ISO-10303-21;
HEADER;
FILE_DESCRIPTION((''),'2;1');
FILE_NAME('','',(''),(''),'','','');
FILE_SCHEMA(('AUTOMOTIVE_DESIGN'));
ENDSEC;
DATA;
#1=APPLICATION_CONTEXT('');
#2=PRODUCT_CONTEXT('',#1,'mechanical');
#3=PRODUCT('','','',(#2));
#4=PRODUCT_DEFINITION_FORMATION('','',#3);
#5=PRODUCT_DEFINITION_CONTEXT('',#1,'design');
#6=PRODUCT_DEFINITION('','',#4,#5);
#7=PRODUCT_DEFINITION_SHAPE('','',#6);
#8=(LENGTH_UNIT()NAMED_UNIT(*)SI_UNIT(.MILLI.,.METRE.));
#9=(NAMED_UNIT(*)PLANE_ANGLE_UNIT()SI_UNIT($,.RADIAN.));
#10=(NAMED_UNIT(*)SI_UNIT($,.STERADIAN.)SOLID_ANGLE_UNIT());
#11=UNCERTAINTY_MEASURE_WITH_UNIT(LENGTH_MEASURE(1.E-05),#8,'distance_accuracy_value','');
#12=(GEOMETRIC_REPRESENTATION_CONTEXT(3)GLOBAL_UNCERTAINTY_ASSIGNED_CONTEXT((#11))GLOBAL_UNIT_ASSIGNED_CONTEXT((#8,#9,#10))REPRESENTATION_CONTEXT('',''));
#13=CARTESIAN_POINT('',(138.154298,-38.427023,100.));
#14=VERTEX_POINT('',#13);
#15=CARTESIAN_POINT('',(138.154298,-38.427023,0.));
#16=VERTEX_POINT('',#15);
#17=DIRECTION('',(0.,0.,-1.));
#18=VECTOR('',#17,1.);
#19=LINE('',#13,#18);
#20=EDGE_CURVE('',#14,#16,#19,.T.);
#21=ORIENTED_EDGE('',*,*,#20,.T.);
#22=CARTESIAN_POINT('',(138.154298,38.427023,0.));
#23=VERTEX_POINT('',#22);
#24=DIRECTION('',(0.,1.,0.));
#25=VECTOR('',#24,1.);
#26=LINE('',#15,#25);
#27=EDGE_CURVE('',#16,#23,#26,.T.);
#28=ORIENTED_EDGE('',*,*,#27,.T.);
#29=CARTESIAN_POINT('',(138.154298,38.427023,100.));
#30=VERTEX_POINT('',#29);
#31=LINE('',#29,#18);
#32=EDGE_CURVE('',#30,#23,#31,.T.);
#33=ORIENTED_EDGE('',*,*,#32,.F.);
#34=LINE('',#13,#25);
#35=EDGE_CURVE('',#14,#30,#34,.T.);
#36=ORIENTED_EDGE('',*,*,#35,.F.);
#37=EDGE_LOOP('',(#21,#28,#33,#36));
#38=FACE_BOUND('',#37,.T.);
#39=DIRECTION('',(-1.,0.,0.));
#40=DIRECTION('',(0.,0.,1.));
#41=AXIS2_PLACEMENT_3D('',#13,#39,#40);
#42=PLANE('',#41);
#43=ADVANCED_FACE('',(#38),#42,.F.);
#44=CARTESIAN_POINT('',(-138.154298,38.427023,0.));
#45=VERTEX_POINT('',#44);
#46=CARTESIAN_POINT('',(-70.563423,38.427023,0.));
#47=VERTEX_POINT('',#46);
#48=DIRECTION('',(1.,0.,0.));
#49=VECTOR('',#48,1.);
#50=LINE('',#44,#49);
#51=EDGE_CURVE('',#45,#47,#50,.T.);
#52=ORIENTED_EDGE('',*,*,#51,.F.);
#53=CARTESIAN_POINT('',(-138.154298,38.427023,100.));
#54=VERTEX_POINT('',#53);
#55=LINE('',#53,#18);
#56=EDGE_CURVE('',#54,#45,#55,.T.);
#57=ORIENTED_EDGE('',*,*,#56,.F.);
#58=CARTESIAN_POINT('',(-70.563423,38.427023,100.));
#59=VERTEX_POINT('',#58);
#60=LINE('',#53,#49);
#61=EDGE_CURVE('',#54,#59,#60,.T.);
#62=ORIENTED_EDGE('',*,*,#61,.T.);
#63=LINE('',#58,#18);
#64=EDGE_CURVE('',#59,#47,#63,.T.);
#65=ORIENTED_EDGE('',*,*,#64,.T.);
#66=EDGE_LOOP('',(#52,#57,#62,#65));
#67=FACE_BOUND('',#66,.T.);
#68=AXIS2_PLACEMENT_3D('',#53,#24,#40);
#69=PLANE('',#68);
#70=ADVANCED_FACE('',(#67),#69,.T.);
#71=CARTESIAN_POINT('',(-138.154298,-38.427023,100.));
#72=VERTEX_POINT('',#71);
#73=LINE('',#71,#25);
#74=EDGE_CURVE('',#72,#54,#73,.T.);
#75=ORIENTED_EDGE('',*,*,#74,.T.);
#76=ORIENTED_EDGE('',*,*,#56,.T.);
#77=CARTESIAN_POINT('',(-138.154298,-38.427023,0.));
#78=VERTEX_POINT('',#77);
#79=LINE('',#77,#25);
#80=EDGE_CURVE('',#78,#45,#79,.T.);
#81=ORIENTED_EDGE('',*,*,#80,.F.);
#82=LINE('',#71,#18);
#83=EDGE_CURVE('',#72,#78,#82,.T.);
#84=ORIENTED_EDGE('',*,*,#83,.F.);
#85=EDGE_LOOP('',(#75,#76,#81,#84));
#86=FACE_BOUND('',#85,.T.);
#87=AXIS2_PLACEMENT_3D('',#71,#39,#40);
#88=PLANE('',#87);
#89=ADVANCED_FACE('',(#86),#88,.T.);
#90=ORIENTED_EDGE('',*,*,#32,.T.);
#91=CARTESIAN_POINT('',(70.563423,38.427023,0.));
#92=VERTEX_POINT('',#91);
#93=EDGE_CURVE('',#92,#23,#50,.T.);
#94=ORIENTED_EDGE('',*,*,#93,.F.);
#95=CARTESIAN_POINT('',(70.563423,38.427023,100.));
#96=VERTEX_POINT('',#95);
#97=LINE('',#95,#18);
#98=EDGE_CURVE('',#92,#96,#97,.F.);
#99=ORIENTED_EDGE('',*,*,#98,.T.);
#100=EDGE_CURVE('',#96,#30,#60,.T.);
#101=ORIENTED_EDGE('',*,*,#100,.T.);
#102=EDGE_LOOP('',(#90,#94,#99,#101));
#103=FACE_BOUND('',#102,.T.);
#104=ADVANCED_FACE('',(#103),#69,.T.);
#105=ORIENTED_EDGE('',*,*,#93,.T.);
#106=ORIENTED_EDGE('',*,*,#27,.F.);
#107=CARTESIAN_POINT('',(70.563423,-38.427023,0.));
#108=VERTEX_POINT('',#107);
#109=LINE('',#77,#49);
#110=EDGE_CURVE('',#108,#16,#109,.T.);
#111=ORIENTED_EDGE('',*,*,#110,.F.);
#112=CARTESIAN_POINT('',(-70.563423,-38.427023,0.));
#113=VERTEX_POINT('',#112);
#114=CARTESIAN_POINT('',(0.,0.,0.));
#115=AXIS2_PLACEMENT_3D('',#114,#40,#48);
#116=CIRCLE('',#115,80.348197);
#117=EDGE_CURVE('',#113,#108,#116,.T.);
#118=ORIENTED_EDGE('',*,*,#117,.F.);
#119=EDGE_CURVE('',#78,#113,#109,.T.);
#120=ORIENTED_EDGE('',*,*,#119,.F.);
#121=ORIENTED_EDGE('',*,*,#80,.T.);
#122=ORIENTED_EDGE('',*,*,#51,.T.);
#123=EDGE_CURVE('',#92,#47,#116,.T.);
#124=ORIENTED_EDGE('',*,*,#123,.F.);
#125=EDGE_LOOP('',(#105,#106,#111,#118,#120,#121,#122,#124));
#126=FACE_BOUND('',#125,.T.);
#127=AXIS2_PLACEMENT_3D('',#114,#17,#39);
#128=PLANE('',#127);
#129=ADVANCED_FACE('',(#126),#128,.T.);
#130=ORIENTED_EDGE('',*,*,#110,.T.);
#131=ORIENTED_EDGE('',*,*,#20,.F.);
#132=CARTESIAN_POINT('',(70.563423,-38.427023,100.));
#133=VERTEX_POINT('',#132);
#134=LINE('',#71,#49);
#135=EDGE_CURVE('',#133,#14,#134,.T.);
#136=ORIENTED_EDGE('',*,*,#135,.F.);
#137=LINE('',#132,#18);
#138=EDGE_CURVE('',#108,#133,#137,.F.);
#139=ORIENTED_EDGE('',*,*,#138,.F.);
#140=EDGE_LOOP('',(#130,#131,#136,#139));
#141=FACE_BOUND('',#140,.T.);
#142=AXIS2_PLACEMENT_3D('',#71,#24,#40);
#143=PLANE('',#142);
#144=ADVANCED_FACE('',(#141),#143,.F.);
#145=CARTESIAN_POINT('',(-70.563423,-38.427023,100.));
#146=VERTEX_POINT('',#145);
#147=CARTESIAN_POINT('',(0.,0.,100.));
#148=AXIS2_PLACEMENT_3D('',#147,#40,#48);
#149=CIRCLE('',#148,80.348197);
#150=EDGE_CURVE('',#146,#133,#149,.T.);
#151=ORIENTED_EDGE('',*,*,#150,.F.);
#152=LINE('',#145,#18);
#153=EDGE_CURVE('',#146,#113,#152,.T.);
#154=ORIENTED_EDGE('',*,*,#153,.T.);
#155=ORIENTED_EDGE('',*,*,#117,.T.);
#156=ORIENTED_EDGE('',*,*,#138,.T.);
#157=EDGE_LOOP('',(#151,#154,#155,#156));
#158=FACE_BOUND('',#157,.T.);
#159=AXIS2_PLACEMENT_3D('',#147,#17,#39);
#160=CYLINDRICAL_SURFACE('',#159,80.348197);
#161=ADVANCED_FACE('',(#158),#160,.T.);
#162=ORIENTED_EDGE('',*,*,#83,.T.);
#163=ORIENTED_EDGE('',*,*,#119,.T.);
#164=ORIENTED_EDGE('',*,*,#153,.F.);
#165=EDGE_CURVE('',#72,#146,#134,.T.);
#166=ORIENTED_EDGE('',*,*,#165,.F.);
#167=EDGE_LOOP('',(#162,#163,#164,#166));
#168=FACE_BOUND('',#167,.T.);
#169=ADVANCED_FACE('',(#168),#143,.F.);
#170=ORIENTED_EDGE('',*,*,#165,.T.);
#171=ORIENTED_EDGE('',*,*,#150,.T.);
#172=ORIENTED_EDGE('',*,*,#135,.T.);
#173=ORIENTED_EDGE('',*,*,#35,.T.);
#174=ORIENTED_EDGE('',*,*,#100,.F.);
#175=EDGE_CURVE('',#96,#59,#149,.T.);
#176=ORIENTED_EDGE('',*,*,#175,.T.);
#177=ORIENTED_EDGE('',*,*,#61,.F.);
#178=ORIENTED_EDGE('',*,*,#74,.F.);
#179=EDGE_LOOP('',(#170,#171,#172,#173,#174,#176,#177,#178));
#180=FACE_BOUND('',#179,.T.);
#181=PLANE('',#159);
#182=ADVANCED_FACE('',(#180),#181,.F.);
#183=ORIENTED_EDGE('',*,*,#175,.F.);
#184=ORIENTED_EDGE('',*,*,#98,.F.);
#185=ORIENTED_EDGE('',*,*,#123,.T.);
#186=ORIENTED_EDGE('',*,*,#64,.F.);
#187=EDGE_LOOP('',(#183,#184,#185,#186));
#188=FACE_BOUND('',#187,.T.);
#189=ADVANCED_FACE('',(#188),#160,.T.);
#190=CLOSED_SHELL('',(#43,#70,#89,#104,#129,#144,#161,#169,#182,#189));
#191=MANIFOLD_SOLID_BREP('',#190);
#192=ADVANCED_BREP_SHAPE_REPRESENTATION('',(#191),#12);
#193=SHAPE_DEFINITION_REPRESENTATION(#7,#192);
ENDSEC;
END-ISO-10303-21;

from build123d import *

# Parameters (mm, degrees)
SKETCH_1_R      = 80.348196739
SKETCH_1_W      = 276.308595414
SKETCH_1_H      = 76.854046406
EXTRUDE_1_DEPTH = 100


with BuildPart() as part:
    # 草图1 → 凸台-拉伸1 (new body)
    with BuildSketch(Plane.XY):
        Circle(SKETCH_1_R)
        Rectangle(SKETCH_1_W, SKETCH_1_H)
    extrude(amount=EXTRUDE_1_DEPTH)


solid = part.part
